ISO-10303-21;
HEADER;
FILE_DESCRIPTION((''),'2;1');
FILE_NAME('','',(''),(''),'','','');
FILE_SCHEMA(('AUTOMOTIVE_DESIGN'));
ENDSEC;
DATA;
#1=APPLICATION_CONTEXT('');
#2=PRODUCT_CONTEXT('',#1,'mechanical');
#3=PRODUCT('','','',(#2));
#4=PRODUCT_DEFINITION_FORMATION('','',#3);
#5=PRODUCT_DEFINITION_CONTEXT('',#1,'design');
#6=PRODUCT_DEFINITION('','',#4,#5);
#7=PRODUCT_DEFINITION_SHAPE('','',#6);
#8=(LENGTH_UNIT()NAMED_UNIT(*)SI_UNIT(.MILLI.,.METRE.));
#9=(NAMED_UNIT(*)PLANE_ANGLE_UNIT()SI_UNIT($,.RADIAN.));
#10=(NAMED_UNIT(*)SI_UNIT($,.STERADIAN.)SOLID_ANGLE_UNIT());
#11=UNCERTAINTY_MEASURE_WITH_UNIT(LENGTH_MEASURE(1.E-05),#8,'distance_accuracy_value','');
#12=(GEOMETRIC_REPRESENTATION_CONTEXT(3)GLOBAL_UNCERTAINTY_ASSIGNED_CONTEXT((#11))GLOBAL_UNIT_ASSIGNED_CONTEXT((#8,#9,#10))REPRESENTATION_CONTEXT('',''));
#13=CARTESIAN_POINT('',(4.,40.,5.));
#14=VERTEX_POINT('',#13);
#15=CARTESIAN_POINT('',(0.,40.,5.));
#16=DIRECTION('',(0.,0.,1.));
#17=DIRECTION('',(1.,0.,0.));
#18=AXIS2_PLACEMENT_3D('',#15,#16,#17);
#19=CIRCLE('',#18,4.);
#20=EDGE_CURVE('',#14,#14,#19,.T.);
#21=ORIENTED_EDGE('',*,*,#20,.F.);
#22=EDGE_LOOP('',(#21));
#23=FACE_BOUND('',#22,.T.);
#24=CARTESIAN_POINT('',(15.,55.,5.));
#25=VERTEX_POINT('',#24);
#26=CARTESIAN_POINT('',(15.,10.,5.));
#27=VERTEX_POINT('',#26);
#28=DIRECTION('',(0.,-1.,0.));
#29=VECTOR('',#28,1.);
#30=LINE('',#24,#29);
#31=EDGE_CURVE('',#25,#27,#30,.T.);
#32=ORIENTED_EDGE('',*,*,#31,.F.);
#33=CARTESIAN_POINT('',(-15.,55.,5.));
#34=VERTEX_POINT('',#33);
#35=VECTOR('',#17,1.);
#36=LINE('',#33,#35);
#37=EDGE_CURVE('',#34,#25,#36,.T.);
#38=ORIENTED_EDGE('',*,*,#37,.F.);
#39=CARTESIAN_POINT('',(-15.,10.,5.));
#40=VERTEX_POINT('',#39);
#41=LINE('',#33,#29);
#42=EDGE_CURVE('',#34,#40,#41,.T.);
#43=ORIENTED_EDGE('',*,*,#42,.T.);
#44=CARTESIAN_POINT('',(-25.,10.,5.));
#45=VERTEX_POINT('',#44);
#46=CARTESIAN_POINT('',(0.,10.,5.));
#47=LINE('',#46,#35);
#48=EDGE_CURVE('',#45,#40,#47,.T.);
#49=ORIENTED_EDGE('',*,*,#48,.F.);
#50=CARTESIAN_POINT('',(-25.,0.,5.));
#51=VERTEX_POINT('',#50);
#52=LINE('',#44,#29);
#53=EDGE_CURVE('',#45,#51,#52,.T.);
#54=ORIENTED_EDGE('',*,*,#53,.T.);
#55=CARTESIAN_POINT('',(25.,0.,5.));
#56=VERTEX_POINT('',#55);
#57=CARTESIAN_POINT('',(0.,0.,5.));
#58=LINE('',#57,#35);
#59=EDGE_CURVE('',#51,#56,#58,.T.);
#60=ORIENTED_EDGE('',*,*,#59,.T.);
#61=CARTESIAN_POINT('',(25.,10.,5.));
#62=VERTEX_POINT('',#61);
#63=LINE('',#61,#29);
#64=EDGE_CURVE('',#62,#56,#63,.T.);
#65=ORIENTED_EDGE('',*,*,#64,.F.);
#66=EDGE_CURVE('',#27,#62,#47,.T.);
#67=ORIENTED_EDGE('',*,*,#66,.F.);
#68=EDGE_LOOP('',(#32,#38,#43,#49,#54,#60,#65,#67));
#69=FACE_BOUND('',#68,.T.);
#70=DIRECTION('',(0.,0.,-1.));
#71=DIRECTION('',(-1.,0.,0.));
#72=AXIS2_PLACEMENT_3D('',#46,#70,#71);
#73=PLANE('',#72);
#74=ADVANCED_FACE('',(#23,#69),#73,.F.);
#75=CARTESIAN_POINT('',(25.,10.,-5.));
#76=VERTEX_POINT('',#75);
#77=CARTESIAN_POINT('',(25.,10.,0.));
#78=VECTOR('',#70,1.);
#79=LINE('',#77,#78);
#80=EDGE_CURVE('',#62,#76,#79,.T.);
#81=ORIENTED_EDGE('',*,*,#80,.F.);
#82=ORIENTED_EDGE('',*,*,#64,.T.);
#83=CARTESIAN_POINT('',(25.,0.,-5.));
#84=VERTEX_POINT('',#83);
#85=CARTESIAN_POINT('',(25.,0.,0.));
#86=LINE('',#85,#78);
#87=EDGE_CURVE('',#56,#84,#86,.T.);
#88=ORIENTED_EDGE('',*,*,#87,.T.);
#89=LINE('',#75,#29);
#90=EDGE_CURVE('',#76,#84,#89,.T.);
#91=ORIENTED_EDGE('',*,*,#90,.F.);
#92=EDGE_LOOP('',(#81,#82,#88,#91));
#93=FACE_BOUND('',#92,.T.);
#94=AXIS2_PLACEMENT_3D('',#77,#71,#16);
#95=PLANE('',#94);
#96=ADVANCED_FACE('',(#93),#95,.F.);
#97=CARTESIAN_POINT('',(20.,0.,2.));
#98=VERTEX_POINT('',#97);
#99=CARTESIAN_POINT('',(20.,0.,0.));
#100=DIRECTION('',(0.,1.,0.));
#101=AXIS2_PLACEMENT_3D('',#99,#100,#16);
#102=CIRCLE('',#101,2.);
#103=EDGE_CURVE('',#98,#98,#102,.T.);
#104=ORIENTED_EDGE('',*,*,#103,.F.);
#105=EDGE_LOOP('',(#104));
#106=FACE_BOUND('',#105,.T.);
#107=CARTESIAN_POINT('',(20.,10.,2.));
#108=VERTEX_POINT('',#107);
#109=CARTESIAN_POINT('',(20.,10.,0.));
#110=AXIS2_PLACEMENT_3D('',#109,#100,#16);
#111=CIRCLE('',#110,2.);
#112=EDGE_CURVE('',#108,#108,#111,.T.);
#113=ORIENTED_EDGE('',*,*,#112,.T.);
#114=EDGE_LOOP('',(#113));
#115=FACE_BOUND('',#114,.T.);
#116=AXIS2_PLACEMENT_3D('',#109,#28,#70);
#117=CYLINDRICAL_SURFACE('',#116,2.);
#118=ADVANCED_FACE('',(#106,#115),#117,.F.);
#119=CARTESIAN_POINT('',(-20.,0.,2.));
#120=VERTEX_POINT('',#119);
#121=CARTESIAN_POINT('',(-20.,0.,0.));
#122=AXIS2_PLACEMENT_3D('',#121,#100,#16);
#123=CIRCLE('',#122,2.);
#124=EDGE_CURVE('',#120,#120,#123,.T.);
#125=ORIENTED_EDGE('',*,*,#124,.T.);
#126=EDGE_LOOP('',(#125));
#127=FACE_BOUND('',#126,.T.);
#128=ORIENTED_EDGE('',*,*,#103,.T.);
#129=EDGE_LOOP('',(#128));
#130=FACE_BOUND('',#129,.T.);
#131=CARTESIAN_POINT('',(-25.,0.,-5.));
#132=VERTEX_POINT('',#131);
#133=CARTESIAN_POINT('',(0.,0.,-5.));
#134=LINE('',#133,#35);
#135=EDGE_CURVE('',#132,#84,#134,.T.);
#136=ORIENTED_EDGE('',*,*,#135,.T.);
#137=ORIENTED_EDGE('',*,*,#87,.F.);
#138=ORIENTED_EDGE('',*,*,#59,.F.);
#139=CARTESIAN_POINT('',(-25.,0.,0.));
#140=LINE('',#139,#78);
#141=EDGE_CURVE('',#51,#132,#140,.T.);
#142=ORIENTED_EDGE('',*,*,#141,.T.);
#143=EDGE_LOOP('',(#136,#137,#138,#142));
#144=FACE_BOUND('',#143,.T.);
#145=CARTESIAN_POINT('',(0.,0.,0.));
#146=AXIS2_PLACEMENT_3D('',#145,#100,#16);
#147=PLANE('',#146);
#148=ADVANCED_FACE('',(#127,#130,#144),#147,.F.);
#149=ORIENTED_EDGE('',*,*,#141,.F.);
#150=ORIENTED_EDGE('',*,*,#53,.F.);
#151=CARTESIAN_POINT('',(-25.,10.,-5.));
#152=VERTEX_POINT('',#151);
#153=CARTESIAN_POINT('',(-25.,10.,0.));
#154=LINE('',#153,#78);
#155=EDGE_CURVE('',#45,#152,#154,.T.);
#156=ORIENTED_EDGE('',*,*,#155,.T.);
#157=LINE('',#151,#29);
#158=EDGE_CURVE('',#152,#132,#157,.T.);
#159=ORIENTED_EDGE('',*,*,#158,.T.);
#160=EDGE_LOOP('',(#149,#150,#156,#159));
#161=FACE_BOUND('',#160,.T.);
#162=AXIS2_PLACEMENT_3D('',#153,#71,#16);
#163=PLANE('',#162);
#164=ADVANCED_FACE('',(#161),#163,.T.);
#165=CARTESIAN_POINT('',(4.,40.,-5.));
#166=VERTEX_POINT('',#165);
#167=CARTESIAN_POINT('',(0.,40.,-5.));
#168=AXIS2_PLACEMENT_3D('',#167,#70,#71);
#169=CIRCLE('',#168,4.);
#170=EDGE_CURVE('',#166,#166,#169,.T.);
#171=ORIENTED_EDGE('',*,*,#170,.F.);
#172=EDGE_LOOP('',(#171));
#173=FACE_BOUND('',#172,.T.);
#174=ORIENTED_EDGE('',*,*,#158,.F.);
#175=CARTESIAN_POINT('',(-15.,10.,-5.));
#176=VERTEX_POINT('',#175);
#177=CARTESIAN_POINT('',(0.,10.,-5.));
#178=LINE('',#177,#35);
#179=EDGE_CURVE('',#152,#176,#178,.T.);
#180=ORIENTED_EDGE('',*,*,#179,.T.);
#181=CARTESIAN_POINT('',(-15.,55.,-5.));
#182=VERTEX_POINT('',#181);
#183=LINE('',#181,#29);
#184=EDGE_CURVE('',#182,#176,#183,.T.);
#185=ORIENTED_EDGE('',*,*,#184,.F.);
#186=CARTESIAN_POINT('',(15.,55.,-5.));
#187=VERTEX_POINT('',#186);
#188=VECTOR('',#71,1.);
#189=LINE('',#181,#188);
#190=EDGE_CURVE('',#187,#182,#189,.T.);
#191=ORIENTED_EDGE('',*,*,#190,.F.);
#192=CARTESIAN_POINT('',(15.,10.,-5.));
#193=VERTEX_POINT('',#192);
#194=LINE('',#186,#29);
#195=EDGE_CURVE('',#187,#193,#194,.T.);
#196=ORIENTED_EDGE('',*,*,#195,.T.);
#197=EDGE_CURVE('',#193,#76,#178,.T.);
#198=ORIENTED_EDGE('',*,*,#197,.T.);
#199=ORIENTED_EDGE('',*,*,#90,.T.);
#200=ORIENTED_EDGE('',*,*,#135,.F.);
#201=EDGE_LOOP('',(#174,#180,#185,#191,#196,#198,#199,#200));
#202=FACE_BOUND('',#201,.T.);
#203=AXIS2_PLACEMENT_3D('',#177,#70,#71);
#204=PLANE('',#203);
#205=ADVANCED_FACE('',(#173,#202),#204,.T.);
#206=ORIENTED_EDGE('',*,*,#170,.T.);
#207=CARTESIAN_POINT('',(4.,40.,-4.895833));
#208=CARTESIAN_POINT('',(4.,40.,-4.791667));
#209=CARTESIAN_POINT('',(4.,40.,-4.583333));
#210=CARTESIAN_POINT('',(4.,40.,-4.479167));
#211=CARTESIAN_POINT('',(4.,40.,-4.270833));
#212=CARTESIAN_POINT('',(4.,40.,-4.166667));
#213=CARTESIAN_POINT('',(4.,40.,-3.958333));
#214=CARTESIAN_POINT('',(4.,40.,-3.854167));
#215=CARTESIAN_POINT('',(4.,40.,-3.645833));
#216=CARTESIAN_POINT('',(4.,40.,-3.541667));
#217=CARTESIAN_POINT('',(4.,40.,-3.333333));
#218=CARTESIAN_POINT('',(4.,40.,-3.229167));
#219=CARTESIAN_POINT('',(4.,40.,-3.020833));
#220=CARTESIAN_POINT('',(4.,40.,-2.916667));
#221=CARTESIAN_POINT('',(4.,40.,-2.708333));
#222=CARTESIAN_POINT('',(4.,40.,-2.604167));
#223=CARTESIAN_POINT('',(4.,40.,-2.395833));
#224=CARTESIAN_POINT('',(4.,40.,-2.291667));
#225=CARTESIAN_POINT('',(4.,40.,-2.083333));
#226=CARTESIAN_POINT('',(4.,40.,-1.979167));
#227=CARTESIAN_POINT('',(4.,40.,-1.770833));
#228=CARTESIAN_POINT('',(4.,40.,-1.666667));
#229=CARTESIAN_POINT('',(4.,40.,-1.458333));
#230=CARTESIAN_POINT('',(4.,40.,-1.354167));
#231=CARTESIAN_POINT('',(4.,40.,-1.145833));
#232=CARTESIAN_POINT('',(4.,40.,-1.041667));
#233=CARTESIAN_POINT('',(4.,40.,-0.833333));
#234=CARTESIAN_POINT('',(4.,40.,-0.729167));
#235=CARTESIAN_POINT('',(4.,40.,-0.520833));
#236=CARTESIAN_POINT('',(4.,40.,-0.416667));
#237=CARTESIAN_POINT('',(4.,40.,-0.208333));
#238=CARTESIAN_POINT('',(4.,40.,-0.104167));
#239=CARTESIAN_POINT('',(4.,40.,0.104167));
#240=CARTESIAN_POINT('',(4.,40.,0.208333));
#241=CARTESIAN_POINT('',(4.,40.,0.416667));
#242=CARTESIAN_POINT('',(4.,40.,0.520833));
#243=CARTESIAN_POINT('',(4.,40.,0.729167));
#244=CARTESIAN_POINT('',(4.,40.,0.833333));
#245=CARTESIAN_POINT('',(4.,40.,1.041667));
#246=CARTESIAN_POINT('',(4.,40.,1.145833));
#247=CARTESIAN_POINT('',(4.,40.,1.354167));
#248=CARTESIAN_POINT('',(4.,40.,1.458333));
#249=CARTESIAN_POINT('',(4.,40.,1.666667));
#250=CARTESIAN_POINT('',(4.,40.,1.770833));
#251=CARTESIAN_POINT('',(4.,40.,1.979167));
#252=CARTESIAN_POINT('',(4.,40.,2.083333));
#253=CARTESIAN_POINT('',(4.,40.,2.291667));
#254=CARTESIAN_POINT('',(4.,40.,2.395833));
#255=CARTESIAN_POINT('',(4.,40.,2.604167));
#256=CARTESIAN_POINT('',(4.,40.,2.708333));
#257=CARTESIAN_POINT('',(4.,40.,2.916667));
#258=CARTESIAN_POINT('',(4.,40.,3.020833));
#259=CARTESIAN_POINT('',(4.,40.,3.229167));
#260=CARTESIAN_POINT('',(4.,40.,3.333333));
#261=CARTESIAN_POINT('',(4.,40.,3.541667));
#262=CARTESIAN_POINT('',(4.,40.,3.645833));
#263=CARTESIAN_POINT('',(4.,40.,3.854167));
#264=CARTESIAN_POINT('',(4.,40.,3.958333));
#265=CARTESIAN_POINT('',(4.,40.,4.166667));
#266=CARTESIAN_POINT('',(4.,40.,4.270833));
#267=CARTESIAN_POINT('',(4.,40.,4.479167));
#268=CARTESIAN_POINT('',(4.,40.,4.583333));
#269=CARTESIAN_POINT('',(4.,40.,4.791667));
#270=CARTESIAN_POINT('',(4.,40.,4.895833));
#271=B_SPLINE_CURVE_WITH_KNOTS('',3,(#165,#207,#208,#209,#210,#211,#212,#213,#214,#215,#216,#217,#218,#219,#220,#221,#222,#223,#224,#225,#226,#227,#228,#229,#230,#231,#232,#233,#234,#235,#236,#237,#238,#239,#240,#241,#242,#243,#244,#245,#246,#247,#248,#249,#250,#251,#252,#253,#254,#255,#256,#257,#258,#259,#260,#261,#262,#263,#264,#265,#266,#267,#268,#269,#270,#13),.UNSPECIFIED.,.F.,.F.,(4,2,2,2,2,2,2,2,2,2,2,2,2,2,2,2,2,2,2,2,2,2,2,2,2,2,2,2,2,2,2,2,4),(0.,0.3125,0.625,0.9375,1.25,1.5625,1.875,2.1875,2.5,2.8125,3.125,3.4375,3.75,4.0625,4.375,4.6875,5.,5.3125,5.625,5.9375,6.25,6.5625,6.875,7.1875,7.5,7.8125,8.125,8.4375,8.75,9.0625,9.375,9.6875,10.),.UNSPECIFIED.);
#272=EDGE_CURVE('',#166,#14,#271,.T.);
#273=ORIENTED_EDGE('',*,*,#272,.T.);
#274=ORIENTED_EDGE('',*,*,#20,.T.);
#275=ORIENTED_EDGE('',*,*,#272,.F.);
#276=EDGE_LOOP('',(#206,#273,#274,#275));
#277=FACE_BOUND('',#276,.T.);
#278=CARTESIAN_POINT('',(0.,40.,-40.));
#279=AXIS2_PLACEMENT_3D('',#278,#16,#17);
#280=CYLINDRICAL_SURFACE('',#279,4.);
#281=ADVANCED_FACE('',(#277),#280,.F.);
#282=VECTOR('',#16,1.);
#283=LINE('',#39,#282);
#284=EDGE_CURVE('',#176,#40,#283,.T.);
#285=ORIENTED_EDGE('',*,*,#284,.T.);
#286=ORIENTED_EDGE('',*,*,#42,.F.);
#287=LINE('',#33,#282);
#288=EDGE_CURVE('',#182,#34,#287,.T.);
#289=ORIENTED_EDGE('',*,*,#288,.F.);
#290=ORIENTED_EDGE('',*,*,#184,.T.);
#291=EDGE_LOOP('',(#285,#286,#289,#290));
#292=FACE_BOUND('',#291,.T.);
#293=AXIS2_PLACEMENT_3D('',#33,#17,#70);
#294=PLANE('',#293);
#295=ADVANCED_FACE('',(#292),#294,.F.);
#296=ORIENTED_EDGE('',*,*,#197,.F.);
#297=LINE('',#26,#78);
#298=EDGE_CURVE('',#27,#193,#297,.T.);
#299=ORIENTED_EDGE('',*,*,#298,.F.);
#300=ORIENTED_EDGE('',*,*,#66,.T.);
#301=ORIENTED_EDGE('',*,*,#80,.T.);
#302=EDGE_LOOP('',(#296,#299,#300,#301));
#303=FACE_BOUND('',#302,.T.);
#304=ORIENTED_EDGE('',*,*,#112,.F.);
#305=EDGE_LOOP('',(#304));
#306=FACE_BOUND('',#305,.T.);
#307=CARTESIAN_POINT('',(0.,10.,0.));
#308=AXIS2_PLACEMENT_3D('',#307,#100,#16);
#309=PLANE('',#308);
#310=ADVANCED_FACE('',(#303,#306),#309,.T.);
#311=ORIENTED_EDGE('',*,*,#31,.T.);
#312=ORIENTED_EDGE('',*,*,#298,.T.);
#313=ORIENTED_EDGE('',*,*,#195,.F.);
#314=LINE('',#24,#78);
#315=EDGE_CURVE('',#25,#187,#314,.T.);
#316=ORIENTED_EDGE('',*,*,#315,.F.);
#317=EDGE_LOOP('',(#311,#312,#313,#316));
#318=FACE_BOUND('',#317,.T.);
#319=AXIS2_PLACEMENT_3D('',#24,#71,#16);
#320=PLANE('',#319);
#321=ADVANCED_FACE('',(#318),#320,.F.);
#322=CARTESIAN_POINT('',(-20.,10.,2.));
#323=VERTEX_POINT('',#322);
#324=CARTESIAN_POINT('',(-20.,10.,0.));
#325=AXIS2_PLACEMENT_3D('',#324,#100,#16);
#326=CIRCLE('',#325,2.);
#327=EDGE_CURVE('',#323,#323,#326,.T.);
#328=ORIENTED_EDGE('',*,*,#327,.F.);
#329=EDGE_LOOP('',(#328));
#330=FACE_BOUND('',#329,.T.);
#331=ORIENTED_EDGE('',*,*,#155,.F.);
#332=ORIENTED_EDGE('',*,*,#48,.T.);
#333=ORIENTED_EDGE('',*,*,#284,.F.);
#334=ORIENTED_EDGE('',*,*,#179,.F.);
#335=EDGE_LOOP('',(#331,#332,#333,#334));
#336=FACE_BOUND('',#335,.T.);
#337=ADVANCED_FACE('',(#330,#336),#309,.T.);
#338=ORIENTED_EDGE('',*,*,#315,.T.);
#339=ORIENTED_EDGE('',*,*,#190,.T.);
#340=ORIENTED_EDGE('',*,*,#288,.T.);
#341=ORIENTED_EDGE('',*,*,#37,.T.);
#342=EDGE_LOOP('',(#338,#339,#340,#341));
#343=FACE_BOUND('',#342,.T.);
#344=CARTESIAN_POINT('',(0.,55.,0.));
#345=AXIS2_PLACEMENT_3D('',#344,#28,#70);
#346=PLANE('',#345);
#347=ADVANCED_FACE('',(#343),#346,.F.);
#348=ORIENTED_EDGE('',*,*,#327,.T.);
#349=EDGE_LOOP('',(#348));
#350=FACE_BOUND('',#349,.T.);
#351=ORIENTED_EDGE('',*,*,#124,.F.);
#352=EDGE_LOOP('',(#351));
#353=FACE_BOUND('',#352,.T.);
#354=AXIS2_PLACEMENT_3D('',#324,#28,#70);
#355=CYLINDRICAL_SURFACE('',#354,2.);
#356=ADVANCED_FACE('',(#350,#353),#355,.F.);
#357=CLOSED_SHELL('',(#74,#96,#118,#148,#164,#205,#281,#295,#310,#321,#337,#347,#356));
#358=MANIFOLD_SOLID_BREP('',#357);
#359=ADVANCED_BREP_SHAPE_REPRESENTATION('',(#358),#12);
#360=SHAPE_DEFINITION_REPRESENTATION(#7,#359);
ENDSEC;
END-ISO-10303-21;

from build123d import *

# Parameters (mm, degrees)
SKETCH1_W           = 50
SKETCH1_H           = 10
SKETCH1_R           = 2
BOSS_EXTRUDE1_DEPTH = 10
SKETCH4_W           = 30
SKETCH4_H           = 10
BOSS_EXTRUDE3_DEPTH = 45
SKETCH5_R           = 4
CUT_EXTRUDE1_DEPTH  = 45


with BuildPart() as part:
    # Sketch1 → Boss-Extrude1 (new body)
    with BuildSketch(Plane(origin=(0, 0, 0), x_dir=(1, 0, 0), z_dir=(0, 1, 0))):
        Rectangle(SKETCH1_W, SKETCH1_H)
        with Locations(Location((-20, 0, 0), (0, 0, 270))):
            Circle(SKETCH1_R, mode=Mode.SUBTRACT)
        with Locations(Location((20, 0, 0), (0, 0, 270))):
            Circle(SKETCH1_R, mode=Mode.SUBTRACT)
    extrude(amount=BOSS_EXTRUDE1_DEPTH)

    # Sketch4 → Boss-Extrude3 (add)
    with BuildSketch(Plane(origin=(0, 10, 0), x_dir=(1, 0, 0), z_dir=(0, 1, 0))):
        Rectangle(SKETCH4_W, SKETCH4_H)
    extrude(amount=BOSS_EXTRUDE3_DEPTH)

    # Sketch5 → Cut-Extrude1 (cut)
    with BuildSketch(Plane.XY.offset(5)):
        with Locations((0, 40)):
            Circle(SKETCH5_R)
    extrude(amount=-CUT_EXTRUDE1_DEPTH, mode=Mode.SUBTRACT)


solid = part.part
